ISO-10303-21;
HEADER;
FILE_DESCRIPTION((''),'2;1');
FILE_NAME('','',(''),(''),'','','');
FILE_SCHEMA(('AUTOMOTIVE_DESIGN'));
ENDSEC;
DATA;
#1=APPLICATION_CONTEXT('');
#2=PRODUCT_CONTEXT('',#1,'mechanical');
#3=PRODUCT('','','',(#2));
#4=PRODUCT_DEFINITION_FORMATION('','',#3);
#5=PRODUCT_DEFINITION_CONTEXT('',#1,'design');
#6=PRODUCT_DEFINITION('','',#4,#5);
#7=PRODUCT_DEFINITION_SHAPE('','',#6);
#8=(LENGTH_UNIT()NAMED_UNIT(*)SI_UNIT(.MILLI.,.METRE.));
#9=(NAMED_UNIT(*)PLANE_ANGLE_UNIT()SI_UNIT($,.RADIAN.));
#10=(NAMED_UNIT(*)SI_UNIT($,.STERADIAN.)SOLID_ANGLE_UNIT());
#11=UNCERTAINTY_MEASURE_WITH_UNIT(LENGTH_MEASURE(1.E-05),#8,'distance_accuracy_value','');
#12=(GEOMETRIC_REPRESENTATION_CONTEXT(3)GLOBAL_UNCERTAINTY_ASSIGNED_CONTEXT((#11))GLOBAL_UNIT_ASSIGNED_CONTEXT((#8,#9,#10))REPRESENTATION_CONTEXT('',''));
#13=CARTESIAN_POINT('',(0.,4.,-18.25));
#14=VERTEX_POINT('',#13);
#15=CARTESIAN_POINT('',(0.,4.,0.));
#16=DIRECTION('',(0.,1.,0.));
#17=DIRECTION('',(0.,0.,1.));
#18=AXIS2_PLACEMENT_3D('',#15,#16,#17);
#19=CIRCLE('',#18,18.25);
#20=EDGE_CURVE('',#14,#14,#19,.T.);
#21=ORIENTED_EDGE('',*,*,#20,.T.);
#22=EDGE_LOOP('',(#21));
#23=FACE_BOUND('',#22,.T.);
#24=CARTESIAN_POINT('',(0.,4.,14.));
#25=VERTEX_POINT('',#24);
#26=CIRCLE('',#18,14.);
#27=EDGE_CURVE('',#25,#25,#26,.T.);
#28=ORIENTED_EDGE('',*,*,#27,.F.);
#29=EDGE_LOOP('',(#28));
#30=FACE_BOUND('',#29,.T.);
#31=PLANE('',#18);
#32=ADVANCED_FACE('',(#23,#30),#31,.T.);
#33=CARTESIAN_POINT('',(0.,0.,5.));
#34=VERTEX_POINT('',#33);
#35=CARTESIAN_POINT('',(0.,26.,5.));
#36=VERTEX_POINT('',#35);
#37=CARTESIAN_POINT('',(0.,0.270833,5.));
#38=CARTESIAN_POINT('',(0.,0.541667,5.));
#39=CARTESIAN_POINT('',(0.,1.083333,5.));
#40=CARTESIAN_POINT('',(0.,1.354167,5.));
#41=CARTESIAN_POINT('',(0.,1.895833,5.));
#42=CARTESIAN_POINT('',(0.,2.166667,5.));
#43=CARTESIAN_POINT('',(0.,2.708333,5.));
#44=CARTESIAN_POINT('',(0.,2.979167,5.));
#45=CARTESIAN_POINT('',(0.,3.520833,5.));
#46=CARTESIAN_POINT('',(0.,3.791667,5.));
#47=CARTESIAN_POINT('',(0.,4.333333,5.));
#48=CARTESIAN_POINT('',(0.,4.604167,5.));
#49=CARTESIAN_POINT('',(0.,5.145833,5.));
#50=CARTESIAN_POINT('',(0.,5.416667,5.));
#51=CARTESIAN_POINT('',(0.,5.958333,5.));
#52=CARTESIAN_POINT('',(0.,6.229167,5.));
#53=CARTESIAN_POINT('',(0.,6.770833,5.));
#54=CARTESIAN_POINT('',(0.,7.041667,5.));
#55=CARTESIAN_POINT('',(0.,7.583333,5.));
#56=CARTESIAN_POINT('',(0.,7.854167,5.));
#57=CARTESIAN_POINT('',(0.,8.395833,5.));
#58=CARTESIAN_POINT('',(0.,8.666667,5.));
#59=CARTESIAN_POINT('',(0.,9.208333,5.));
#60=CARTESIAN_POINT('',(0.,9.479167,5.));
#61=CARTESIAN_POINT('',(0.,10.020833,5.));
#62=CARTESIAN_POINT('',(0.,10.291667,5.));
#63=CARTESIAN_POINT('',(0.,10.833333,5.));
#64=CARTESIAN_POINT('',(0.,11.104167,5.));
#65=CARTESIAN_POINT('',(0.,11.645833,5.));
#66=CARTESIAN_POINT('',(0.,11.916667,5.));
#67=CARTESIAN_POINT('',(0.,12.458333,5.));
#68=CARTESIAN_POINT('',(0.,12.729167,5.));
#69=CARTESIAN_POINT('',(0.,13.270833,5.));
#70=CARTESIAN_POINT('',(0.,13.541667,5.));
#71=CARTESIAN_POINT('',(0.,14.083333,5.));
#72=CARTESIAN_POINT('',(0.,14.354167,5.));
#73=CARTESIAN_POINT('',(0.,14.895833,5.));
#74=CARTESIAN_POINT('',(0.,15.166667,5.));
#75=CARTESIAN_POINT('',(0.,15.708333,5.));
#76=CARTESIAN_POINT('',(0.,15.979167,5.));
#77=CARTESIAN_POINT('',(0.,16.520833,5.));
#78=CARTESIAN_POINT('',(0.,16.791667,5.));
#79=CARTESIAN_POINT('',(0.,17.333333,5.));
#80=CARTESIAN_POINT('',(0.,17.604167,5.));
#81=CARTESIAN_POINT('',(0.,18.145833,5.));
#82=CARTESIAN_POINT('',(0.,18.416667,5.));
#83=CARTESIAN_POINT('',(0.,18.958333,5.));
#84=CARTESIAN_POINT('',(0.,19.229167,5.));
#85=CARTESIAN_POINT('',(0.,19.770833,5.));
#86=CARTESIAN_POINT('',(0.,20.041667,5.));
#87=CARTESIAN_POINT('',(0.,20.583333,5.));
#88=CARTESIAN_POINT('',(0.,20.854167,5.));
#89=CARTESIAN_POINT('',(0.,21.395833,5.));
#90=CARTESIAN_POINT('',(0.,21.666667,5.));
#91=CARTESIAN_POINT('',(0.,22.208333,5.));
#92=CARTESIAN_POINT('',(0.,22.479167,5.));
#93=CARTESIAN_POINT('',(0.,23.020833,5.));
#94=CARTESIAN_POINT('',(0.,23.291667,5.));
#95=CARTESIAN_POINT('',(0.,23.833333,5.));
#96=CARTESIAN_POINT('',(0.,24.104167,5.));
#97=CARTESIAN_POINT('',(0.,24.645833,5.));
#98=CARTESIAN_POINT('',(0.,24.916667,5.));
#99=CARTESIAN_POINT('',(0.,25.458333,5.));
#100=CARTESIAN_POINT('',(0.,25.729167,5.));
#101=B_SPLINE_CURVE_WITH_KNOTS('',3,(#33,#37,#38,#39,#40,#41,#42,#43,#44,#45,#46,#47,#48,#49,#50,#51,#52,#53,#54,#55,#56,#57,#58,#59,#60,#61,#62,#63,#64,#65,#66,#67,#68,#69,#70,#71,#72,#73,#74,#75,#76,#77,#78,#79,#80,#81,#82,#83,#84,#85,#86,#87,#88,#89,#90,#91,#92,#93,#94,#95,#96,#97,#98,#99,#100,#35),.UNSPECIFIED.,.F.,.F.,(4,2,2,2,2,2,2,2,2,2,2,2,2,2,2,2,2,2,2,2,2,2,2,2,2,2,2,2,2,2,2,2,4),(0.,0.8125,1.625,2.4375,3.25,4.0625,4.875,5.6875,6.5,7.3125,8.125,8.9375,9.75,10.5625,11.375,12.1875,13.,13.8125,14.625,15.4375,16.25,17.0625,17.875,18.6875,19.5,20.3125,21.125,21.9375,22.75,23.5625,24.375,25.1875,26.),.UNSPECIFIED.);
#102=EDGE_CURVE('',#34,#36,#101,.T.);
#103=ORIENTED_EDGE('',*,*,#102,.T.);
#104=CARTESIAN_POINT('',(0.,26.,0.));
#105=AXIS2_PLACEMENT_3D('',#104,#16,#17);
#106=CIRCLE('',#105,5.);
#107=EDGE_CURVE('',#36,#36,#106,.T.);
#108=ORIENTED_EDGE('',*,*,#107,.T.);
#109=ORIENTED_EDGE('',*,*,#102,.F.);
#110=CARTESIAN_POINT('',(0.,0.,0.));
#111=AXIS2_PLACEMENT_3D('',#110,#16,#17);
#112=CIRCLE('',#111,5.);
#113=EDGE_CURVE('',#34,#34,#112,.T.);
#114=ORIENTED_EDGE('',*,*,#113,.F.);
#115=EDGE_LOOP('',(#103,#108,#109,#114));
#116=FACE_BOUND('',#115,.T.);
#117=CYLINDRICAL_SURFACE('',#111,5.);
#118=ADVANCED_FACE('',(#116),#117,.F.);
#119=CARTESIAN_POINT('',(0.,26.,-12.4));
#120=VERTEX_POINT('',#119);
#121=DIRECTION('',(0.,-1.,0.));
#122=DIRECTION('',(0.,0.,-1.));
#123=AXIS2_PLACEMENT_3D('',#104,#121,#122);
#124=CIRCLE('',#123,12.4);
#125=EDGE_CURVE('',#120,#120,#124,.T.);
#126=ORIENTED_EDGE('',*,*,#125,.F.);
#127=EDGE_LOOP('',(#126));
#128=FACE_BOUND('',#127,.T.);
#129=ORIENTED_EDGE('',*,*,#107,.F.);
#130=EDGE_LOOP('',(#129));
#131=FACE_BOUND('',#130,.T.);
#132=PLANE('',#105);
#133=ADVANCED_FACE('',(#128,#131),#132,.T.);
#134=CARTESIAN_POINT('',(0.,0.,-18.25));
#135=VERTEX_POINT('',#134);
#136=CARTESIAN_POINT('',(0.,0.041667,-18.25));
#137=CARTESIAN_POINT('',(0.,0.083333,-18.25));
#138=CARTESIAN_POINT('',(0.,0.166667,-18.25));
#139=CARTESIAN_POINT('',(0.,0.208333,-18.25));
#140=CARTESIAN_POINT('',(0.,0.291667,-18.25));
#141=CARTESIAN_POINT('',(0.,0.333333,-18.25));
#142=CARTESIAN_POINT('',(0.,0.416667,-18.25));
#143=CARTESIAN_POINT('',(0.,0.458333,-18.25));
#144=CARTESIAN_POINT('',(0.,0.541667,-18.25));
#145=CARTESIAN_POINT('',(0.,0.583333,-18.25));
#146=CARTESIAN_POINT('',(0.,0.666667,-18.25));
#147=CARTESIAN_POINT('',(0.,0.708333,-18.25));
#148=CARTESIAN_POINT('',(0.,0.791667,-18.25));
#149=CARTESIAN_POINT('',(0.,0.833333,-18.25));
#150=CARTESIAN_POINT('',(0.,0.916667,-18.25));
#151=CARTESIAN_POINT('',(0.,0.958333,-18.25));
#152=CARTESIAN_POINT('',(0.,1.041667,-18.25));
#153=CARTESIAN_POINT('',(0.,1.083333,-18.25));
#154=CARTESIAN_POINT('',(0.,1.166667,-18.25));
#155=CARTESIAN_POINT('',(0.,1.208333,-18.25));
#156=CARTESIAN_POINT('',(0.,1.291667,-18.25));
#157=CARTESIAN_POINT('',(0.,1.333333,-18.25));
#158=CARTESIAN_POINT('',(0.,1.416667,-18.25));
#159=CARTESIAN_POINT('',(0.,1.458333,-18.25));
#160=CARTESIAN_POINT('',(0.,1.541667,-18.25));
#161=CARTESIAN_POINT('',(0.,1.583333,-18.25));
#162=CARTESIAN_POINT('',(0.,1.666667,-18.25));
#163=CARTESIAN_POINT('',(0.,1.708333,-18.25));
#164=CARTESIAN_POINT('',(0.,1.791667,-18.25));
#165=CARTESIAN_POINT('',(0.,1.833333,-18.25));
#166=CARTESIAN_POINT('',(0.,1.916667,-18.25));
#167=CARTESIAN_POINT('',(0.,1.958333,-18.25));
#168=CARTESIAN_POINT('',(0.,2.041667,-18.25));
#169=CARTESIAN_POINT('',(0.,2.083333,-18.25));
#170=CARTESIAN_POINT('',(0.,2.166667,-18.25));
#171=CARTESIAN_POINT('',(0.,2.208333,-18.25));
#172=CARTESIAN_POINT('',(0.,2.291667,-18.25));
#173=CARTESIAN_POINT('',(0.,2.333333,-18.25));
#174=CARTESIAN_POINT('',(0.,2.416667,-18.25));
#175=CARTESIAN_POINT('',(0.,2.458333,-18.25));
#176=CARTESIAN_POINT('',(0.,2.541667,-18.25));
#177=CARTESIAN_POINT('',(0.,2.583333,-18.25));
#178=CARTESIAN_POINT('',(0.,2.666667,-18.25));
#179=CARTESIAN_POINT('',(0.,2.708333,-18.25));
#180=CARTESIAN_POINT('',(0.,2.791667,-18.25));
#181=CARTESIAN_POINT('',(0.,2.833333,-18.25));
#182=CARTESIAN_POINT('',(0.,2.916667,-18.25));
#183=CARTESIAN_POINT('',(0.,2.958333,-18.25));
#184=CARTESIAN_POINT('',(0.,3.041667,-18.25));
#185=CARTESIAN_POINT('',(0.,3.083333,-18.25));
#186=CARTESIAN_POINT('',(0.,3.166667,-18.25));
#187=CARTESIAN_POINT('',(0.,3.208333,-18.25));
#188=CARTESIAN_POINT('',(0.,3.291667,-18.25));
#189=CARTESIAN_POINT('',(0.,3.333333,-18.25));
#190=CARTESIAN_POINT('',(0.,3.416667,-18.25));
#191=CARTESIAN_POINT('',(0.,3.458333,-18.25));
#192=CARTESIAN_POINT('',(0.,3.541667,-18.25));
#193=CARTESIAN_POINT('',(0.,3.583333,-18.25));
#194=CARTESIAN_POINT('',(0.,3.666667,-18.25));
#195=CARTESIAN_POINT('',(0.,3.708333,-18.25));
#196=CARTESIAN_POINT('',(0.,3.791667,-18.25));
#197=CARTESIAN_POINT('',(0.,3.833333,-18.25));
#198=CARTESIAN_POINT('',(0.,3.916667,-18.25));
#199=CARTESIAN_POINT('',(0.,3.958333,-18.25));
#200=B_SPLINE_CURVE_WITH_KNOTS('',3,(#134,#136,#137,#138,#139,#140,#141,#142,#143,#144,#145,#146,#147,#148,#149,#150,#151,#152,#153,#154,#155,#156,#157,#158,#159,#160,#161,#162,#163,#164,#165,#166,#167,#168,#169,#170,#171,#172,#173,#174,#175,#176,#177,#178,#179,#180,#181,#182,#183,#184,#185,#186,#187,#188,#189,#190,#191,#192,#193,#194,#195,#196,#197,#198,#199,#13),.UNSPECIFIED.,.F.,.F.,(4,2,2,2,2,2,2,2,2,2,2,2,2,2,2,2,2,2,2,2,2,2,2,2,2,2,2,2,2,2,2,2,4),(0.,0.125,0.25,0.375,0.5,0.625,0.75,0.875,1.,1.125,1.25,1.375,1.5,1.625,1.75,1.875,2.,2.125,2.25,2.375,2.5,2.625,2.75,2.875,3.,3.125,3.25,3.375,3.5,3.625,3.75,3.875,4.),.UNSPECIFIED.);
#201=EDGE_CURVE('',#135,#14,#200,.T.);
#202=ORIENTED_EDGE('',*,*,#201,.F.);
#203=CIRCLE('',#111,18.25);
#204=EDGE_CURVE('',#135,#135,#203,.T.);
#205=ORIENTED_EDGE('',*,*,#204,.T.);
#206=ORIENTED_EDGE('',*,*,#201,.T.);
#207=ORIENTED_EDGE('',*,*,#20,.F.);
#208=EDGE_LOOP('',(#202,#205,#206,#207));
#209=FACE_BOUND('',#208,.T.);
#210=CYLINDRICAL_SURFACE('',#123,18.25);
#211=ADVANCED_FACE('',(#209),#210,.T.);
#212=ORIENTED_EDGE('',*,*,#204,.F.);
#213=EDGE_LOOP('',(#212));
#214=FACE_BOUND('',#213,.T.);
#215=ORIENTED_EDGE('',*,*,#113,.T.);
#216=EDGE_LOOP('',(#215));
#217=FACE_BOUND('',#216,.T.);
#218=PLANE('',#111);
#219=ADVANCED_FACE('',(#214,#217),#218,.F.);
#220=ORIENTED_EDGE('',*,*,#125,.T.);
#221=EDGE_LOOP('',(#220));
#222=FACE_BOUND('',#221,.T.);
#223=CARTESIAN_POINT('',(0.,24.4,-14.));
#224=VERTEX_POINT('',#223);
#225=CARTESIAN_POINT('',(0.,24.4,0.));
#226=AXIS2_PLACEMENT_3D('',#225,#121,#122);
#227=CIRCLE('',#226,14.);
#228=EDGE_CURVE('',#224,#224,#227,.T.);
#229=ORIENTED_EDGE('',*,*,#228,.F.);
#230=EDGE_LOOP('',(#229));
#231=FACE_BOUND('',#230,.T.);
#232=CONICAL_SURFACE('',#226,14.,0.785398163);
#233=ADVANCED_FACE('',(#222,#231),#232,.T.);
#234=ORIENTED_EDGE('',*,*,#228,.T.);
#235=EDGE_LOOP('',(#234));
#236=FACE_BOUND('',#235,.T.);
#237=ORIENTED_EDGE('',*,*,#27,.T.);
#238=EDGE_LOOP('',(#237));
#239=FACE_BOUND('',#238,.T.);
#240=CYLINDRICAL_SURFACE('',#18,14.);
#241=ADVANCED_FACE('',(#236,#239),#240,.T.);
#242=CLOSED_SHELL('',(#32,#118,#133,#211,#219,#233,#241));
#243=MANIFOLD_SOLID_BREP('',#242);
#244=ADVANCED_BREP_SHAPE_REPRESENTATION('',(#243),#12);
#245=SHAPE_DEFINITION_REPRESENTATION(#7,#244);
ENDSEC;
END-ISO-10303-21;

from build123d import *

# Parameters (mm, degrees)
SKETCH1_R           = 18.25
BOSS_EXTRUDE1_DEPTH = 26
CUT_EXTRUDE1_START  = -22
SKETCH2_R           = 18.25
SKETCH2_R_2         = 14
CUT_EXTRUDE1_DEPTH  = 22
SKETCH3_R           = 5
CUT_EXTRUDE2_DEPTH  = 37.635024225


with BuildPart() as part:
    # Sketch1 → Boss-Extrude1 (new body)
    with BuildSketch(Plane(origin=(0, 0, 0), x_dir=(1, 0, 0), z_dir=(0, 1, 0))):
        with Locations(Location((0, 0, 0), (0, 0, 90))):
            Circle(SKETCH1_R)
    extrude(amount=BOSS_EXTRUDE1_DEPTH)

    # Sketch2 → Cut-Extrude1 (cut)
    with BuildSketch(Plane(origin=(0, 26, 0), x_dir=(1, 0, 0), z_dir=(0, 1, 0)).offset(CUT_EXTRUDE1_START)):
        with Locations(Location((0, 0, 0), (0, 0, 90))):
            Circle(SKETCH2_R)
        with Locations(Location((0, 0, 0), (0, 0, 270))):
            Circle(SKETCH2_R_2, mode=Mode.SUBTRACT)
    extrude(amount=CUT_EXTRUDE1_DEPTH, mode=Mode.SUBTRACT)

    # Sketch3 → Cut-Extrude2 (cut, through all)
    with BuildSketch(Plane(origin=(0, 26, 0), x_dir=(1, 0, 0), z_dir=(0, 1, 0))):
        with Locations(Location((0, 0, 0), (0, 0, 270))):
            Circle(SKETCH3_R)
    extrude(amount=-CUT_EXTRUDE2_DEPTH, mode=Mode.SUBTRACT)

    # Sketch4 → Cut-Revolve1 (revolve, cut)
    with BuildSketch(Plane(origin=(0, 0, 0), x_dir=(0, 0, -1), z_dir=(1, 0, 0))):
        Polygon((-14, 24.4), (-14, 26), (-12.4, 26), align=None)
    revolve(axis=Axis((0, -1000, 0), (0, 1, 0)), mode=Mode.SUBTRACT)


solid = part.part
